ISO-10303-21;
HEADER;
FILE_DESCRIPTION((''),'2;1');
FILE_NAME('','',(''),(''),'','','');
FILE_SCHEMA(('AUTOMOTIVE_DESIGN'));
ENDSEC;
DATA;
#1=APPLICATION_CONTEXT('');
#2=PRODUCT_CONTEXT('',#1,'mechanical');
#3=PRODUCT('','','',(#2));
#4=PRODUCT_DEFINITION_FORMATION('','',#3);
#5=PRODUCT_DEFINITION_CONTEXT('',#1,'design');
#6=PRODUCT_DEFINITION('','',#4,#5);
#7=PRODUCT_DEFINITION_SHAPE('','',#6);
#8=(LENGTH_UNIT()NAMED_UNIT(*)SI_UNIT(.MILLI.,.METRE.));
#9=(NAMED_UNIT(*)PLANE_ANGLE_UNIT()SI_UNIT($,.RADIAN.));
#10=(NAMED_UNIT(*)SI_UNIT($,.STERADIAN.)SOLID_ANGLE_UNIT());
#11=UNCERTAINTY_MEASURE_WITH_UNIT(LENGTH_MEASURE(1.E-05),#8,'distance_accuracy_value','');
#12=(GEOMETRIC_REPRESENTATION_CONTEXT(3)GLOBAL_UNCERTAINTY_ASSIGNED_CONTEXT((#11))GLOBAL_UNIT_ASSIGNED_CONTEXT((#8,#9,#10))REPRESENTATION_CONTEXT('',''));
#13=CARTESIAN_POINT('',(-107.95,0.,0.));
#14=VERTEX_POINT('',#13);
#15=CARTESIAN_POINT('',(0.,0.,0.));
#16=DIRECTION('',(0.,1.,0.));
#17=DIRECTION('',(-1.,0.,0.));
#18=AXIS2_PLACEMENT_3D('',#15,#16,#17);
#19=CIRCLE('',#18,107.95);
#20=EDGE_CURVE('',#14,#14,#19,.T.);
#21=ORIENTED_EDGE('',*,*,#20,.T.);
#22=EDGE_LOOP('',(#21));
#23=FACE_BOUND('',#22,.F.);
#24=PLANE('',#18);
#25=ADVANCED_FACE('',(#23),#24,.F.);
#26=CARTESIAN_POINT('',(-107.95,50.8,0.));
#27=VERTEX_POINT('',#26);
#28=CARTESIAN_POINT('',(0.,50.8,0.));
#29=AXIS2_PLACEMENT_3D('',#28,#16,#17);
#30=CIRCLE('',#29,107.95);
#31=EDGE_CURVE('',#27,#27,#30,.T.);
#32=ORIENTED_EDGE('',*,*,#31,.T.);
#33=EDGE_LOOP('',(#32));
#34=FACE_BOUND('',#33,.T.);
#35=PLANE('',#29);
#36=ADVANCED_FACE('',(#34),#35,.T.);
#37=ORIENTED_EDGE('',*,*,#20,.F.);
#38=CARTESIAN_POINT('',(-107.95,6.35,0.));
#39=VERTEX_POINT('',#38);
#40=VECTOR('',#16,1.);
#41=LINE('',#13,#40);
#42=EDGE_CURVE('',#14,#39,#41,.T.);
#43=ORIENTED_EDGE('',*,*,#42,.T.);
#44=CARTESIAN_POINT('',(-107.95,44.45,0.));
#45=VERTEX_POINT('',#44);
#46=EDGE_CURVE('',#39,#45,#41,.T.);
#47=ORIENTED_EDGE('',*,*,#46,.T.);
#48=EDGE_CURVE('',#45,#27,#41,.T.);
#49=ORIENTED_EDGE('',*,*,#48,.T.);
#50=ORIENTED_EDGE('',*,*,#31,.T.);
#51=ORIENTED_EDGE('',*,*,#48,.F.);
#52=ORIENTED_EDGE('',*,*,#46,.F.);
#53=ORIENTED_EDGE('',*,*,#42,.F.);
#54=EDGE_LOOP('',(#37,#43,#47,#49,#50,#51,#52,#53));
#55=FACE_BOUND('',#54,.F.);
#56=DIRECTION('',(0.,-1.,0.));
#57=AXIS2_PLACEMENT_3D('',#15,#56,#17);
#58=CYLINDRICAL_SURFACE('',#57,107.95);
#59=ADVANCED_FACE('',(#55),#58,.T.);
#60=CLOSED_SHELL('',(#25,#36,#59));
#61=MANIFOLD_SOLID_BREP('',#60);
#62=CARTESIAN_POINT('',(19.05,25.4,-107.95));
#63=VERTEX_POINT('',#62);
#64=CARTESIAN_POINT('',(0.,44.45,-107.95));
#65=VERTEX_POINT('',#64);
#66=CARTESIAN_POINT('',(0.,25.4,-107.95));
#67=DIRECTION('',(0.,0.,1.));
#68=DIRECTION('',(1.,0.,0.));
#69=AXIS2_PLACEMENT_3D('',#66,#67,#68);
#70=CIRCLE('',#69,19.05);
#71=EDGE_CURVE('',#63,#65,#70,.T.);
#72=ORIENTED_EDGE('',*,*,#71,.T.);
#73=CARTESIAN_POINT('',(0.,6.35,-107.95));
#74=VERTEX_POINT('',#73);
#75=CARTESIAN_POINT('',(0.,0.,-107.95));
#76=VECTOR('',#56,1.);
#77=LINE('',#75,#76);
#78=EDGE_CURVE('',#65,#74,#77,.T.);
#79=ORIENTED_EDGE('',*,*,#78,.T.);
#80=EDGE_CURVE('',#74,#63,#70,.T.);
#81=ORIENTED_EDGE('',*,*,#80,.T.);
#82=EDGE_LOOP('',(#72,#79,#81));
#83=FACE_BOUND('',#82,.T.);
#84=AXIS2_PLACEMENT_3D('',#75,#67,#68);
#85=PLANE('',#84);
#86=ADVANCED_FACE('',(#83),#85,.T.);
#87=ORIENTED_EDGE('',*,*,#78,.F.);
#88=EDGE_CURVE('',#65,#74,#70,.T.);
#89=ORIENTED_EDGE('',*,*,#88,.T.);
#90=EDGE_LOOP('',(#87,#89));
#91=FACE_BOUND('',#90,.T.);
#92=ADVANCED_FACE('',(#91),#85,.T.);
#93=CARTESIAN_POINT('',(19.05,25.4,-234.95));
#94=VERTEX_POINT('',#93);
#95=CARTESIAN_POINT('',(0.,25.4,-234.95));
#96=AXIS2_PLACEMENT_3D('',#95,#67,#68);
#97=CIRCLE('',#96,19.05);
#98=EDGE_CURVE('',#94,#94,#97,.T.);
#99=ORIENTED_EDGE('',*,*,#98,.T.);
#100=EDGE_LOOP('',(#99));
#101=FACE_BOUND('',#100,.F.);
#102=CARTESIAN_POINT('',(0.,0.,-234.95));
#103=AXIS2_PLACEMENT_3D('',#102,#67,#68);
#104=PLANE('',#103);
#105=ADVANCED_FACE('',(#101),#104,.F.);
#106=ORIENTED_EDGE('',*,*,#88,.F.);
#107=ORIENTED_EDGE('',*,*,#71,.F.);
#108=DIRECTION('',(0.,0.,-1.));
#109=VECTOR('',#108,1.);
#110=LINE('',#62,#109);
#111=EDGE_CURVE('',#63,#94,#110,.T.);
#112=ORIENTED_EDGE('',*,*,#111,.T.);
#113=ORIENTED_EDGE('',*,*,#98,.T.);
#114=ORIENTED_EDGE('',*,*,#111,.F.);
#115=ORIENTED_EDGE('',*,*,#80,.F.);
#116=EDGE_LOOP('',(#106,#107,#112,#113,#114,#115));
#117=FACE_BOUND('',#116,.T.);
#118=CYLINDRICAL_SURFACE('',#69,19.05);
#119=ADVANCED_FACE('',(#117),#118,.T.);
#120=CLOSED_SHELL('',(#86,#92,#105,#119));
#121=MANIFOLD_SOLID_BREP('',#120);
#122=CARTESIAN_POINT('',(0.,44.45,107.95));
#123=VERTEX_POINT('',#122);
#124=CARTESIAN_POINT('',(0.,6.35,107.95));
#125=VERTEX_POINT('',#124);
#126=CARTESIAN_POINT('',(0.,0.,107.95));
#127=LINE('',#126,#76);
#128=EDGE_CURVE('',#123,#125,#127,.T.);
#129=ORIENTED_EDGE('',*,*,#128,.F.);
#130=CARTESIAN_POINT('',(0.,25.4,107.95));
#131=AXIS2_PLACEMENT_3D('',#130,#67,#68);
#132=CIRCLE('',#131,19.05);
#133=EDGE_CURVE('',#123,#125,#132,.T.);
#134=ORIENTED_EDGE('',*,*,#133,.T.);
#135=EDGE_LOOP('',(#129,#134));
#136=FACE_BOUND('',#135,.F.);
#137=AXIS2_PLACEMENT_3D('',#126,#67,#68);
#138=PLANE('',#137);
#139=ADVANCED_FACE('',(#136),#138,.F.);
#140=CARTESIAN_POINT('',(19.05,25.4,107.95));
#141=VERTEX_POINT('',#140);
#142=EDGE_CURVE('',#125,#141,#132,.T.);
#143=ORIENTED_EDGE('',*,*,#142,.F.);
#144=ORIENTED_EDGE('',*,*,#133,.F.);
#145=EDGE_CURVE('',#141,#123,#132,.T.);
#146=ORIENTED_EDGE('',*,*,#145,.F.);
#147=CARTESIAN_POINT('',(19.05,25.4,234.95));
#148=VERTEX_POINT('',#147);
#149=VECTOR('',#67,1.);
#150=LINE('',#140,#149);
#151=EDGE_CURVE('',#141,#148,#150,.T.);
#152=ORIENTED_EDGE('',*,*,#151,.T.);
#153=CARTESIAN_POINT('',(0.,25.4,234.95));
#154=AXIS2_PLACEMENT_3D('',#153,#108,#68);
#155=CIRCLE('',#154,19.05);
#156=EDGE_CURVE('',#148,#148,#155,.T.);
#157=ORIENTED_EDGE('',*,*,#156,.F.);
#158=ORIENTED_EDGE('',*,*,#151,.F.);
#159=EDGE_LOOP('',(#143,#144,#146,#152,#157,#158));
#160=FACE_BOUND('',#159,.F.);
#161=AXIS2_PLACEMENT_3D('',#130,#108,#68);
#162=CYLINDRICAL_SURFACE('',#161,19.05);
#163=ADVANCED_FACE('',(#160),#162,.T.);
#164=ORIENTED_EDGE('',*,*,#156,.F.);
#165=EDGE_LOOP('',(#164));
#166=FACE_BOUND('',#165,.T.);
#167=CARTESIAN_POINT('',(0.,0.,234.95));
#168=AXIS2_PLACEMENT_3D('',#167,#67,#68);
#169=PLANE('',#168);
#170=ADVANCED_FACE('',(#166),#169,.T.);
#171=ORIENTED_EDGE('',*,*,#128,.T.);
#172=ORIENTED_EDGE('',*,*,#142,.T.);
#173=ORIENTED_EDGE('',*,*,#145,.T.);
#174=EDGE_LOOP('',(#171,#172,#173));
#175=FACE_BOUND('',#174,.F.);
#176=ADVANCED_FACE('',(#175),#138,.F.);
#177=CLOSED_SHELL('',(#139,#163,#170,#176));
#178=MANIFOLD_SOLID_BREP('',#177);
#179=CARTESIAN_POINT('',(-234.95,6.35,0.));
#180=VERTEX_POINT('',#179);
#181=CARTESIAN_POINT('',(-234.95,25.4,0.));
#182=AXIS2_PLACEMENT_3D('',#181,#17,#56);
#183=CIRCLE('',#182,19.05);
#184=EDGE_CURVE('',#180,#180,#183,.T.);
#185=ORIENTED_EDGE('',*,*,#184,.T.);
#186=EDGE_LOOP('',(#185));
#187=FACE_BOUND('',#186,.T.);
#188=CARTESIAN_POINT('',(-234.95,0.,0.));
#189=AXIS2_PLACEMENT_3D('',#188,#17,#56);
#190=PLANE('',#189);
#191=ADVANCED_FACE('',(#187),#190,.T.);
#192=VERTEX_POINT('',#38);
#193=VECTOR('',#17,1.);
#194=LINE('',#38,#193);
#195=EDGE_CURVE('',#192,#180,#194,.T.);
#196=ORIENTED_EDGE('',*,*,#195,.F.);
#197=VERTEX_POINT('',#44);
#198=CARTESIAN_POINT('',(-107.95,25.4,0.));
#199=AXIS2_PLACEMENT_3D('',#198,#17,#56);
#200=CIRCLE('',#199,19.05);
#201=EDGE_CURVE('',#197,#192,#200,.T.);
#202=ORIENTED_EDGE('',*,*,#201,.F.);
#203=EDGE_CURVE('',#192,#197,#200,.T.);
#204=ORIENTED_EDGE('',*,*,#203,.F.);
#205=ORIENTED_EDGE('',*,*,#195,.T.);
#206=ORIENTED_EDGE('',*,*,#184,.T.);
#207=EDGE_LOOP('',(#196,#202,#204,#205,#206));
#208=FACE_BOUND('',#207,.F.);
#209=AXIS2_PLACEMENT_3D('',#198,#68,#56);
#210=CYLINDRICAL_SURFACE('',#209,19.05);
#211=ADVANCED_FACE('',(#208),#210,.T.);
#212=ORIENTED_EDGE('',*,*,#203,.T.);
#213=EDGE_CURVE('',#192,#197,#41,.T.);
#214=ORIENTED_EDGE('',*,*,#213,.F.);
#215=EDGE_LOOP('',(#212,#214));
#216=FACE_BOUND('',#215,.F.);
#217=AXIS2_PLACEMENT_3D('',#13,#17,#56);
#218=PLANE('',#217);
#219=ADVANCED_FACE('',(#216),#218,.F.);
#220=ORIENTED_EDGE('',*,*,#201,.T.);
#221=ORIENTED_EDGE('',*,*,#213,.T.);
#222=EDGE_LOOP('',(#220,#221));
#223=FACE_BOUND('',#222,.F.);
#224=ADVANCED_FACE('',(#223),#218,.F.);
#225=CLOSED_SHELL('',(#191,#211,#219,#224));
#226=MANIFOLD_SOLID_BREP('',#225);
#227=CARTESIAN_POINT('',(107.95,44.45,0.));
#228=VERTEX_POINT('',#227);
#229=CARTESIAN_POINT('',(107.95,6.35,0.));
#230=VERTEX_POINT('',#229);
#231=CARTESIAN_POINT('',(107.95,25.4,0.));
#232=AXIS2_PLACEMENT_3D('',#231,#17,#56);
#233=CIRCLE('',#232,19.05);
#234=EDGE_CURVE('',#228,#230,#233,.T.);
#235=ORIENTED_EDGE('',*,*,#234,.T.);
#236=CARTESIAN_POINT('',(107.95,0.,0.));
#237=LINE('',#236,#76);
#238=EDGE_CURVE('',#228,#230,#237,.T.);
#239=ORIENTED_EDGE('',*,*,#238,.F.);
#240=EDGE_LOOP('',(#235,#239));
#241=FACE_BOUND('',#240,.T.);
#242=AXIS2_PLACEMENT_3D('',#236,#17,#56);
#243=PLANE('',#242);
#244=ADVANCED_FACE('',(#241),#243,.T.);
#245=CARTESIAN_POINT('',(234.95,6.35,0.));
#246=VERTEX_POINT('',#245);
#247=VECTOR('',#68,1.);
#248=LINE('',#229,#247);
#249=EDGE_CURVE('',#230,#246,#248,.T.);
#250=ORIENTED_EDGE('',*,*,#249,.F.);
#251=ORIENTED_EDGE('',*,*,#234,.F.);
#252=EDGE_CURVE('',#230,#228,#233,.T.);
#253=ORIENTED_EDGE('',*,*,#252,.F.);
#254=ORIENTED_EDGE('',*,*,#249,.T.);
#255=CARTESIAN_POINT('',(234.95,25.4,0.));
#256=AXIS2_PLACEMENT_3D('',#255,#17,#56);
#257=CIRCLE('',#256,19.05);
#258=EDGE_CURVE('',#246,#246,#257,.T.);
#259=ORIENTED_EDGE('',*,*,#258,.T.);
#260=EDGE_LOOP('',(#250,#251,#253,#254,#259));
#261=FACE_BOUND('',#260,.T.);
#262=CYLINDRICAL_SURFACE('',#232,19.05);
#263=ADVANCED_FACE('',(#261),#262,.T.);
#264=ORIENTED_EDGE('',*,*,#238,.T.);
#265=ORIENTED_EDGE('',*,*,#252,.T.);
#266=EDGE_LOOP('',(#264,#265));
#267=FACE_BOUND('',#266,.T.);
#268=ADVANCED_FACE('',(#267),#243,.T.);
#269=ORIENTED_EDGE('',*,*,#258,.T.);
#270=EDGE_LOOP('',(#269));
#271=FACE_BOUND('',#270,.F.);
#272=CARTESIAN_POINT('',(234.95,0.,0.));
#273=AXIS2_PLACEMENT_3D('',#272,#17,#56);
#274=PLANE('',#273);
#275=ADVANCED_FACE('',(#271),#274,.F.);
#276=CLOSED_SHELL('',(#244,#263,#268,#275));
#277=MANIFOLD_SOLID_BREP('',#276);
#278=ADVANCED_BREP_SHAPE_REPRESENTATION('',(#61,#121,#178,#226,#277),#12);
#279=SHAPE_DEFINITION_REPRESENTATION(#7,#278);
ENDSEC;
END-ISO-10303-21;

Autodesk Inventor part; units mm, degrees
sketch "Sketch1" plane through (0, 0, 0) normal (0, 1, 0) x (-1, 0, 0)
  circle A0 centre (0, 0) radius 107.95
  dimension "d0" = 215.9
extrude "Extrusion1" add sketch "Sketch1" along normal blind 50.8
ref_plane "Work Plane1" through (0, 25.4, 0) normal (0, 1, 0) x (1, 0, 0)
ref_plane "Work Plane3" through (107.95, 0, 0) normal (-1, 0, 0) x (0, -1, 0)
ref_plane "Work Plane2" through (-107.95, 0, 0) normal (-1, 0, 0) x (0, -1, 0)
ref_plane "Work Plane5" through (0, 0, -107.95) normal (0, 0, 1) x (1, 0, 0)
ref_plane "Work Plane4" through (0, 0, 107.95) normal (0, 0, 1) x (1, 0, 0)
sketch "Sketch4" plane through (0, 0, -107.95) normal (0, 0, 1) x (1, 0, 0)
  circle A0 centre (0, 25.4) radius 19.05
  line L0 (107.95, 0) -> (-107.95, 0) projected
  point P0 (0, 0)
  dimension "d9" = 38.1
  dimension "d10" = 25.4
extrude "Extrusion4" add sketch "Sketch4" against normal blind 127
sketch "Sketch5" plane through (-107.95, 0, 0) normal (-1, 0, 0) x (0, -1, 0)
  circle A0 centre (-25.4, 0) radius 19.05
  line L0 (0, 107.95) -> (0, -107.95) projected
  point P0 (0, 0)
  dimension "d13" = 38.1
  dimension "d14" = 25.4
extrude "Extrusion5" add sketch "Sketch5" along normal blind 127
sketch "Sketch6" plane through (0, 0, 107.95) normal (0, 0, 1) x (1, 0, 0)
  line L0 (0, 6.35) -> (0, 44.45) projected
  circle A0 centre (0, 25.4) radius 19.05
  point P0 (0, 0)
extrude "Extrusion6" add sketch "Sketch6" along normal blind 127
sketch "Sketch7" plane through (107.95, 0, 0) normal (-1, 0, 0) x (0, -1, 0)
  arc A0 (-6.35, 0) -> (-44.45, 0) centre (-25.4, 0) ccw projected
  circle A1 centre (-25.4, 0) radius 19.05
  point P0 (0, 0)
  point P1 (-6.35, 0)
extrude "Extrusion7" add sketch "Sketch7" against normal blind 127
properties part number "CapMid-ver1-1111-2021"
